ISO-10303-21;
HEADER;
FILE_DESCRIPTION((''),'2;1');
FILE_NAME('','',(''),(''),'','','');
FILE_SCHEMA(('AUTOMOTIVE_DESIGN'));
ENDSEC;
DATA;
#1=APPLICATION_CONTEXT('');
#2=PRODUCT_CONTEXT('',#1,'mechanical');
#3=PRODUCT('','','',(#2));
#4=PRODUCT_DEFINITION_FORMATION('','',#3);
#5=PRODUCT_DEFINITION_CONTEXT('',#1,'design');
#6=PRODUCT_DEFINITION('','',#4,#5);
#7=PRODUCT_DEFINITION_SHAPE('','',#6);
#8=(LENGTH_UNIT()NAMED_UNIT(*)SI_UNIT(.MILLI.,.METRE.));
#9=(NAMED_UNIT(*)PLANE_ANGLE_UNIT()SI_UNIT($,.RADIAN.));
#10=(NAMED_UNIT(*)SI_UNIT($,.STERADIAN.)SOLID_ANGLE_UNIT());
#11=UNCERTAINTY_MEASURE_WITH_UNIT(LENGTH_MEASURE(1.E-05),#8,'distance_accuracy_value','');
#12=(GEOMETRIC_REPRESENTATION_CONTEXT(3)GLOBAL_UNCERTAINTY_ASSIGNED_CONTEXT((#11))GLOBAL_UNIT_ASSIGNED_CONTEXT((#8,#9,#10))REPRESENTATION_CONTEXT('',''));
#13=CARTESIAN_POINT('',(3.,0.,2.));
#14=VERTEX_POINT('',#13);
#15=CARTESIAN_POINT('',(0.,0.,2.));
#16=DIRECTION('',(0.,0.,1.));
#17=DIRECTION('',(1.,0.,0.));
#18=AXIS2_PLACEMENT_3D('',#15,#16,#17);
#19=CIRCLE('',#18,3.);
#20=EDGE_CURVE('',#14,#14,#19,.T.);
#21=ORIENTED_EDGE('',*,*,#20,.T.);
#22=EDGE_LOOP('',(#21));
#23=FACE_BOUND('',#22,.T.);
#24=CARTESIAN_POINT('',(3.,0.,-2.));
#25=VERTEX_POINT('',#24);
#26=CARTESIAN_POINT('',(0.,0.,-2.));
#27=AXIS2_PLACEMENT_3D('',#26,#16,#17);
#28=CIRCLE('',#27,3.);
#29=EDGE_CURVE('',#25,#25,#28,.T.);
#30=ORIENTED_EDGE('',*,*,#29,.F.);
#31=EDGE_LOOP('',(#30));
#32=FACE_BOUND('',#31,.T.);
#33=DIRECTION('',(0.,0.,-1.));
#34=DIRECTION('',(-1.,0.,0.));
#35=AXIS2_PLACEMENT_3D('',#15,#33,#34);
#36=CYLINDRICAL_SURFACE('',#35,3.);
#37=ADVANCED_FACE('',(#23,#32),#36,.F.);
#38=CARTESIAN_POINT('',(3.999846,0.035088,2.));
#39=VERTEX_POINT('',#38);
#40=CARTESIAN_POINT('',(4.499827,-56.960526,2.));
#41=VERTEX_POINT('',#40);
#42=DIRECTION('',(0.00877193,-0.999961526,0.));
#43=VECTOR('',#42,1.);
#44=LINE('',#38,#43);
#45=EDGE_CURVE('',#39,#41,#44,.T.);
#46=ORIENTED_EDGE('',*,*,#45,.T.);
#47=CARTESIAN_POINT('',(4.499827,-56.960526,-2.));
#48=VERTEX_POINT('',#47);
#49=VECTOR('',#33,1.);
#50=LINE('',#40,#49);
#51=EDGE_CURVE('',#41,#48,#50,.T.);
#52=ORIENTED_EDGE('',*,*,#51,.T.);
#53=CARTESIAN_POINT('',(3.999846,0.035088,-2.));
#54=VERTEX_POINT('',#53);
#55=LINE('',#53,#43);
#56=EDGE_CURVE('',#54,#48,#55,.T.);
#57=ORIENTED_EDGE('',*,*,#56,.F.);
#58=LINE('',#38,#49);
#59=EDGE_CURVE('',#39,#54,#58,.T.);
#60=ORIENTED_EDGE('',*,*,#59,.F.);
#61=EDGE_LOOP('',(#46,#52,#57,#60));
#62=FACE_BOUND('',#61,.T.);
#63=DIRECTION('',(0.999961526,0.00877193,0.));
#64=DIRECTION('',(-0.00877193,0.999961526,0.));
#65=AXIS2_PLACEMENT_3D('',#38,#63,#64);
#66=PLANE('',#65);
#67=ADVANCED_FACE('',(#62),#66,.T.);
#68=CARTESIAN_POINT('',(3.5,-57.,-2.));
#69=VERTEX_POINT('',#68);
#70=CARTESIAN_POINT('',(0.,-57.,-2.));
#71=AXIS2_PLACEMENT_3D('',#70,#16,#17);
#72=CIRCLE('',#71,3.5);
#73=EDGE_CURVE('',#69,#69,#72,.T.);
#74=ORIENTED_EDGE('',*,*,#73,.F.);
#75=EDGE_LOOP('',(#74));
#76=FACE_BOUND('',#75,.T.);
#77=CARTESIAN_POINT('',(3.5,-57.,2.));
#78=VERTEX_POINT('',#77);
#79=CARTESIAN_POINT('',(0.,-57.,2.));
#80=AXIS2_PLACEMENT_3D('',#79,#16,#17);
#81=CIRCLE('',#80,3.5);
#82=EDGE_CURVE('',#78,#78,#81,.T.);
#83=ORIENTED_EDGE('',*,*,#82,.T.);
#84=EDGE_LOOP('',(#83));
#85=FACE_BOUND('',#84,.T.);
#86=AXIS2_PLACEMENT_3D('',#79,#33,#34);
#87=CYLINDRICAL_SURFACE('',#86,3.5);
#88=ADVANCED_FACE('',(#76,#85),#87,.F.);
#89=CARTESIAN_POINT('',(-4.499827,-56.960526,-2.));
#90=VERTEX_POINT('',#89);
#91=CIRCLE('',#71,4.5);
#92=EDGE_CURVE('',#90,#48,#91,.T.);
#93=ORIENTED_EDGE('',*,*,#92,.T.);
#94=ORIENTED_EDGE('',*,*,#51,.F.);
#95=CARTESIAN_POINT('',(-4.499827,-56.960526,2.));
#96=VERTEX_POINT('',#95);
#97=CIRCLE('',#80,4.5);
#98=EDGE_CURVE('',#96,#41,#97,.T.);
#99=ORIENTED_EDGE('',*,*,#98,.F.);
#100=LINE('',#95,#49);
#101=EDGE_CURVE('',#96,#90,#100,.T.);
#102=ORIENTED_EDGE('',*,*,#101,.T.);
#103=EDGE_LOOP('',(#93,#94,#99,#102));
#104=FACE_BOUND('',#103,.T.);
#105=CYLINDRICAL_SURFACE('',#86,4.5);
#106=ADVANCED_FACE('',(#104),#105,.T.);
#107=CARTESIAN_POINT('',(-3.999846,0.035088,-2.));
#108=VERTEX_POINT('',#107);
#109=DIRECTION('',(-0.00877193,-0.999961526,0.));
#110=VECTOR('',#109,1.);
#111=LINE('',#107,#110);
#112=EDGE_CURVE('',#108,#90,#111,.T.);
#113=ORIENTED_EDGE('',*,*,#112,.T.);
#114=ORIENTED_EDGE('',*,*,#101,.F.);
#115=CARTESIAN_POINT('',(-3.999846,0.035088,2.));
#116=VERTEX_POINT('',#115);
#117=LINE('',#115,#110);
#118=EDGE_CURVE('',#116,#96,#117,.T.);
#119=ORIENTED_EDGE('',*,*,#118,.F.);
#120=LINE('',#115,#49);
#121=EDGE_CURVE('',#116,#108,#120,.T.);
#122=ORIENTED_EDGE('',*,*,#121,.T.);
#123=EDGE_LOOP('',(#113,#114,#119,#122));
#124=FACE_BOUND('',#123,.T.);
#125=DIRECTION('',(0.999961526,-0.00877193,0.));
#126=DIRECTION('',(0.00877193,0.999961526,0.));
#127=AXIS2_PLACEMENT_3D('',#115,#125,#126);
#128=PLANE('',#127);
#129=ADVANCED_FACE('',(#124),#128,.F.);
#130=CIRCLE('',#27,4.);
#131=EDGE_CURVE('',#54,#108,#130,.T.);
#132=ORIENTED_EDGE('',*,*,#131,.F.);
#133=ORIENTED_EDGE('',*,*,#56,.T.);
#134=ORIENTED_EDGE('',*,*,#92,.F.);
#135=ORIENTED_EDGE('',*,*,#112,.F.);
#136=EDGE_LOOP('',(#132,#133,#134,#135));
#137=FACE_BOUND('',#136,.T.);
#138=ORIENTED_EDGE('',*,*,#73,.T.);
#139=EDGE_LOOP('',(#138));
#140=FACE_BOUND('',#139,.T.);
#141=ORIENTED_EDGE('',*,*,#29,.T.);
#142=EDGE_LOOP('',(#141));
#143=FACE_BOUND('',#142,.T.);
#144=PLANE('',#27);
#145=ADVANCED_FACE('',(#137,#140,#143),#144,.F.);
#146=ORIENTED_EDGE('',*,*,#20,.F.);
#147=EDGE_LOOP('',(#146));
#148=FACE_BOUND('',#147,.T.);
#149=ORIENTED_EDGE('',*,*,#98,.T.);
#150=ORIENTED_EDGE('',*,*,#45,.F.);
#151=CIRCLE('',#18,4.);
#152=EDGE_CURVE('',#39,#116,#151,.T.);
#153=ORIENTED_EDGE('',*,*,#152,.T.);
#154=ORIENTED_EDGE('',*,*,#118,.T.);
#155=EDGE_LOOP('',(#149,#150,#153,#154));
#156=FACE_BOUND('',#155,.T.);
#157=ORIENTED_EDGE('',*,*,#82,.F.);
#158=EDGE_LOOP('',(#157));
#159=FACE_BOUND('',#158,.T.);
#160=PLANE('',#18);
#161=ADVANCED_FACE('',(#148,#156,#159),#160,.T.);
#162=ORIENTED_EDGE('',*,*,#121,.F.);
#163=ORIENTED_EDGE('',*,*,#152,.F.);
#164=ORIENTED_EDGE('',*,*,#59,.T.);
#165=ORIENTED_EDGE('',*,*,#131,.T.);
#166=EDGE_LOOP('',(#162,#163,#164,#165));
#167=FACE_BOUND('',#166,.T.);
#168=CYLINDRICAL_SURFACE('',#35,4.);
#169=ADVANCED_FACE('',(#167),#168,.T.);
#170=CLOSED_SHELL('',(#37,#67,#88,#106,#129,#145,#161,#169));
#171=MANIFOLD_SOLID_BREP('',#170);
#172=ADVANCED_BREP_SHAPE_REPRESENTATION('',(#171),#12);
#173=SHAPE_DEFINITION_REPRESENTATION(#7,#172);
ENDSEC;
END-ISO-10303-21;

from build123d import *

# Parameters (mm, degrees)
SKETCH_1_R      = 3.5
SKETCH_1_R_2    = 3
EXTRUDE_1_DEPTH = 2


with BuildPart() as part:
    # 草图1 → 凸台-拉伸1 (new, symmetric)
    with BuildSketch(Plane.XY):
        with BuildLine():
            Line((4.499826866, -56.960526316), (3.999846104, 0.035087719))
            ThreePointArc((3.999846104, 0.035087719), (0, 4), (-3.999846104, 0.035087719))
            Line((-3.999846104, 0.035087719), (-4.499826866, -56.960526316))
            ThreePointArc((-4.499826866, -56.960526316), (0, -61.5), (4.499826866, -56.960526316))
        make_face()
        with Locations((0, -57)):
            Circle(SKETCH_1_R, mode=Mode.SUBTRACT)
        Circle(SKETCH_1_R_2, mode=Mode.SUBTRACT)
    extrude(amount=EXTRUDE_1_DEPTH, both=True)


solid = part.part
